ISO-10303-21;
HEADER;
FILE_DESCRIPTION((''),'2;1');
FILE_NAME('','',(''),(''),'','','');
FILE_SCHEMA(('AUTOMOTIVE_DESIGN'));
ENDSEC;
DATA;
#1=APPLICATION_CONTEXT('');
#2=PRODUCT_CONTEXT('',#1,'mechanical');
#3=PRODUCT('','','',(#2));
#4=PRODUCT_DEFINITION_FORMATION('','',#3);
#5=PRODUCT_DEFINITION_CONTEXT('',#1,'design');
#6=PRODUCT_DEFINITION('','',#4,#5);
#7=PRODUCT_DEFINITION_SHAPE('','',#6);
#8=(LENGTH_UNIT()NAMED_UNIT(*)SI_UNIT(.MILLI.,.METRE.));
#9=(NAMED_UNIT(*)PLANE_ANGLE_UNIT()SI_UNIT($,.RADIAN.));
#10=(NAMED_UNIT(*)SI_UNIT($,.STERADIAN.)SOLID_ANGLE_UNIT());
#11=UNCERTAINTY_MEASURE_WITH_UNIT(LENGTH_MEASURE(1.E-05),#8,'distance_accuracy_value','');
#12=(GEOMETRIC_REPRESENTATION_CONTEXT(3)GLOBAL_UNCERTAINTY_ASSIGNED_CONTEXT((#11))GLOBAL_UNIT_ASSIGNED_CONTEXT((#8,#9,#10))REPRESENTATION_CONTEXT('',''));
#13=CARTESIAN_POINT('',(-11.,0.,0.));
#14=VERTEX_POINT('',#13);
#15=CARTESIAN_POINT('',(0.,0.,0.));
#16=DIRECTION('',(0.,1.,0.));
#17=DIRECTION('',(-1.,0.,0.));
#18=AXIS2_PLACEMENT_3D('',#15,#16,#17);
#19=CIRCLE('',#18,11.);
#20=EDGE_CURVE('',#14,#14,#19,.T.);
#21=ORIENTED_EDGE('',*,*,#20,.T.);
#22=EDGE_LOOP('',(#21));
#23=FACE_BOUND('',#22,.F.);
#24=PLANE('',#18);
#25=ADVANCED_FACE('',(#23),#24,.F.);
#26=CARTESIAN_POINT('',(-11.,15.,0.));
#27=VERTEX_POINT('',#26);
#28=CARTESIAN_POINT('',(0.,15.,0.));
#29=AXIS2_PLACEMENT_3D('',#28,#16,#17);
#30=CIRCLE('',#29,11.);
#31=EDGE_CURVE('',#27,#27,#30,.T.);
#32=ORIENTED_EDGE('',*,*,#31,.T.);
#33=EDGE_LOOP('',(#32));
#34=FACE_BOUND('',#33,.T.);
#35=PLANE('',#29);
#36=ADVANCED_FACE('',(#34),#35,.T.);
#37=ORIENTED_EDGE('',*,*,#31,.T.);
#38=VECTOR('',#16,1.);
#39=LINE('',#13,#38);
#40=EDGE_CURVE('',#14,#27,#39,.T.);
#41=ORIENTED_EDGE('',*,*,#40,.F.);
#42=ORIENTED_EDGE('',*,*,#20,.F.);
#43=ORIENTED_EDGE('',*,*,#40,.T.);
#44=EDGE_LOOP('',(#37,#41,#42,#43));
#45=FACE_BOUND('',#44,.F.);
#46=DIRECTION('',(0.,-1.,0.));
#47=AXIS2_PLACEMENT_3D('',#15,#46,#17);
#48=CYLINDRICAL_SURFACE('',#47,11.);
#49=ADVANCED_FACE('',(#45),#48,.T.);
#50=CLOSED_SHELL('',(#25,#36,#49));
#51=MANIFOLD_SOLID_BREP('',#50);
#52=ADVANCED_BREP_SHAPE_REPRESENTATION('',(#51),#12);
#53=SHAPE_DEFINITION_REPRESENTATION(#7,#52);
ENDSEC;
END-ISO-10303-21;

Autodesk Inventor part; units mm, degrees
ref_plane "YZ Plane" through (0, 0, 0) normal (1, 0, 0) x (0, 1, 0)
ref_plane "XZ Plane" through (0, 0, 0) normal (0, 1, 0) x (-1, 0, 0)
ref_plane "XY Plane" through (0, 0, 0) normal (0, 0, 1) x (1, 0, 0)
sketch "Эскиз1" plane through (0, 0, 0) normal (0, 1, 0) x (-1, 0, 0)
  circle A0 centre (0, 0) radius 11
  dimension "d0" = 22
extrude "Выдавливание1" add sketch "Эскиз1" along normal blind 15
properties part number "Редуктор" material "Сталь, легированная"
